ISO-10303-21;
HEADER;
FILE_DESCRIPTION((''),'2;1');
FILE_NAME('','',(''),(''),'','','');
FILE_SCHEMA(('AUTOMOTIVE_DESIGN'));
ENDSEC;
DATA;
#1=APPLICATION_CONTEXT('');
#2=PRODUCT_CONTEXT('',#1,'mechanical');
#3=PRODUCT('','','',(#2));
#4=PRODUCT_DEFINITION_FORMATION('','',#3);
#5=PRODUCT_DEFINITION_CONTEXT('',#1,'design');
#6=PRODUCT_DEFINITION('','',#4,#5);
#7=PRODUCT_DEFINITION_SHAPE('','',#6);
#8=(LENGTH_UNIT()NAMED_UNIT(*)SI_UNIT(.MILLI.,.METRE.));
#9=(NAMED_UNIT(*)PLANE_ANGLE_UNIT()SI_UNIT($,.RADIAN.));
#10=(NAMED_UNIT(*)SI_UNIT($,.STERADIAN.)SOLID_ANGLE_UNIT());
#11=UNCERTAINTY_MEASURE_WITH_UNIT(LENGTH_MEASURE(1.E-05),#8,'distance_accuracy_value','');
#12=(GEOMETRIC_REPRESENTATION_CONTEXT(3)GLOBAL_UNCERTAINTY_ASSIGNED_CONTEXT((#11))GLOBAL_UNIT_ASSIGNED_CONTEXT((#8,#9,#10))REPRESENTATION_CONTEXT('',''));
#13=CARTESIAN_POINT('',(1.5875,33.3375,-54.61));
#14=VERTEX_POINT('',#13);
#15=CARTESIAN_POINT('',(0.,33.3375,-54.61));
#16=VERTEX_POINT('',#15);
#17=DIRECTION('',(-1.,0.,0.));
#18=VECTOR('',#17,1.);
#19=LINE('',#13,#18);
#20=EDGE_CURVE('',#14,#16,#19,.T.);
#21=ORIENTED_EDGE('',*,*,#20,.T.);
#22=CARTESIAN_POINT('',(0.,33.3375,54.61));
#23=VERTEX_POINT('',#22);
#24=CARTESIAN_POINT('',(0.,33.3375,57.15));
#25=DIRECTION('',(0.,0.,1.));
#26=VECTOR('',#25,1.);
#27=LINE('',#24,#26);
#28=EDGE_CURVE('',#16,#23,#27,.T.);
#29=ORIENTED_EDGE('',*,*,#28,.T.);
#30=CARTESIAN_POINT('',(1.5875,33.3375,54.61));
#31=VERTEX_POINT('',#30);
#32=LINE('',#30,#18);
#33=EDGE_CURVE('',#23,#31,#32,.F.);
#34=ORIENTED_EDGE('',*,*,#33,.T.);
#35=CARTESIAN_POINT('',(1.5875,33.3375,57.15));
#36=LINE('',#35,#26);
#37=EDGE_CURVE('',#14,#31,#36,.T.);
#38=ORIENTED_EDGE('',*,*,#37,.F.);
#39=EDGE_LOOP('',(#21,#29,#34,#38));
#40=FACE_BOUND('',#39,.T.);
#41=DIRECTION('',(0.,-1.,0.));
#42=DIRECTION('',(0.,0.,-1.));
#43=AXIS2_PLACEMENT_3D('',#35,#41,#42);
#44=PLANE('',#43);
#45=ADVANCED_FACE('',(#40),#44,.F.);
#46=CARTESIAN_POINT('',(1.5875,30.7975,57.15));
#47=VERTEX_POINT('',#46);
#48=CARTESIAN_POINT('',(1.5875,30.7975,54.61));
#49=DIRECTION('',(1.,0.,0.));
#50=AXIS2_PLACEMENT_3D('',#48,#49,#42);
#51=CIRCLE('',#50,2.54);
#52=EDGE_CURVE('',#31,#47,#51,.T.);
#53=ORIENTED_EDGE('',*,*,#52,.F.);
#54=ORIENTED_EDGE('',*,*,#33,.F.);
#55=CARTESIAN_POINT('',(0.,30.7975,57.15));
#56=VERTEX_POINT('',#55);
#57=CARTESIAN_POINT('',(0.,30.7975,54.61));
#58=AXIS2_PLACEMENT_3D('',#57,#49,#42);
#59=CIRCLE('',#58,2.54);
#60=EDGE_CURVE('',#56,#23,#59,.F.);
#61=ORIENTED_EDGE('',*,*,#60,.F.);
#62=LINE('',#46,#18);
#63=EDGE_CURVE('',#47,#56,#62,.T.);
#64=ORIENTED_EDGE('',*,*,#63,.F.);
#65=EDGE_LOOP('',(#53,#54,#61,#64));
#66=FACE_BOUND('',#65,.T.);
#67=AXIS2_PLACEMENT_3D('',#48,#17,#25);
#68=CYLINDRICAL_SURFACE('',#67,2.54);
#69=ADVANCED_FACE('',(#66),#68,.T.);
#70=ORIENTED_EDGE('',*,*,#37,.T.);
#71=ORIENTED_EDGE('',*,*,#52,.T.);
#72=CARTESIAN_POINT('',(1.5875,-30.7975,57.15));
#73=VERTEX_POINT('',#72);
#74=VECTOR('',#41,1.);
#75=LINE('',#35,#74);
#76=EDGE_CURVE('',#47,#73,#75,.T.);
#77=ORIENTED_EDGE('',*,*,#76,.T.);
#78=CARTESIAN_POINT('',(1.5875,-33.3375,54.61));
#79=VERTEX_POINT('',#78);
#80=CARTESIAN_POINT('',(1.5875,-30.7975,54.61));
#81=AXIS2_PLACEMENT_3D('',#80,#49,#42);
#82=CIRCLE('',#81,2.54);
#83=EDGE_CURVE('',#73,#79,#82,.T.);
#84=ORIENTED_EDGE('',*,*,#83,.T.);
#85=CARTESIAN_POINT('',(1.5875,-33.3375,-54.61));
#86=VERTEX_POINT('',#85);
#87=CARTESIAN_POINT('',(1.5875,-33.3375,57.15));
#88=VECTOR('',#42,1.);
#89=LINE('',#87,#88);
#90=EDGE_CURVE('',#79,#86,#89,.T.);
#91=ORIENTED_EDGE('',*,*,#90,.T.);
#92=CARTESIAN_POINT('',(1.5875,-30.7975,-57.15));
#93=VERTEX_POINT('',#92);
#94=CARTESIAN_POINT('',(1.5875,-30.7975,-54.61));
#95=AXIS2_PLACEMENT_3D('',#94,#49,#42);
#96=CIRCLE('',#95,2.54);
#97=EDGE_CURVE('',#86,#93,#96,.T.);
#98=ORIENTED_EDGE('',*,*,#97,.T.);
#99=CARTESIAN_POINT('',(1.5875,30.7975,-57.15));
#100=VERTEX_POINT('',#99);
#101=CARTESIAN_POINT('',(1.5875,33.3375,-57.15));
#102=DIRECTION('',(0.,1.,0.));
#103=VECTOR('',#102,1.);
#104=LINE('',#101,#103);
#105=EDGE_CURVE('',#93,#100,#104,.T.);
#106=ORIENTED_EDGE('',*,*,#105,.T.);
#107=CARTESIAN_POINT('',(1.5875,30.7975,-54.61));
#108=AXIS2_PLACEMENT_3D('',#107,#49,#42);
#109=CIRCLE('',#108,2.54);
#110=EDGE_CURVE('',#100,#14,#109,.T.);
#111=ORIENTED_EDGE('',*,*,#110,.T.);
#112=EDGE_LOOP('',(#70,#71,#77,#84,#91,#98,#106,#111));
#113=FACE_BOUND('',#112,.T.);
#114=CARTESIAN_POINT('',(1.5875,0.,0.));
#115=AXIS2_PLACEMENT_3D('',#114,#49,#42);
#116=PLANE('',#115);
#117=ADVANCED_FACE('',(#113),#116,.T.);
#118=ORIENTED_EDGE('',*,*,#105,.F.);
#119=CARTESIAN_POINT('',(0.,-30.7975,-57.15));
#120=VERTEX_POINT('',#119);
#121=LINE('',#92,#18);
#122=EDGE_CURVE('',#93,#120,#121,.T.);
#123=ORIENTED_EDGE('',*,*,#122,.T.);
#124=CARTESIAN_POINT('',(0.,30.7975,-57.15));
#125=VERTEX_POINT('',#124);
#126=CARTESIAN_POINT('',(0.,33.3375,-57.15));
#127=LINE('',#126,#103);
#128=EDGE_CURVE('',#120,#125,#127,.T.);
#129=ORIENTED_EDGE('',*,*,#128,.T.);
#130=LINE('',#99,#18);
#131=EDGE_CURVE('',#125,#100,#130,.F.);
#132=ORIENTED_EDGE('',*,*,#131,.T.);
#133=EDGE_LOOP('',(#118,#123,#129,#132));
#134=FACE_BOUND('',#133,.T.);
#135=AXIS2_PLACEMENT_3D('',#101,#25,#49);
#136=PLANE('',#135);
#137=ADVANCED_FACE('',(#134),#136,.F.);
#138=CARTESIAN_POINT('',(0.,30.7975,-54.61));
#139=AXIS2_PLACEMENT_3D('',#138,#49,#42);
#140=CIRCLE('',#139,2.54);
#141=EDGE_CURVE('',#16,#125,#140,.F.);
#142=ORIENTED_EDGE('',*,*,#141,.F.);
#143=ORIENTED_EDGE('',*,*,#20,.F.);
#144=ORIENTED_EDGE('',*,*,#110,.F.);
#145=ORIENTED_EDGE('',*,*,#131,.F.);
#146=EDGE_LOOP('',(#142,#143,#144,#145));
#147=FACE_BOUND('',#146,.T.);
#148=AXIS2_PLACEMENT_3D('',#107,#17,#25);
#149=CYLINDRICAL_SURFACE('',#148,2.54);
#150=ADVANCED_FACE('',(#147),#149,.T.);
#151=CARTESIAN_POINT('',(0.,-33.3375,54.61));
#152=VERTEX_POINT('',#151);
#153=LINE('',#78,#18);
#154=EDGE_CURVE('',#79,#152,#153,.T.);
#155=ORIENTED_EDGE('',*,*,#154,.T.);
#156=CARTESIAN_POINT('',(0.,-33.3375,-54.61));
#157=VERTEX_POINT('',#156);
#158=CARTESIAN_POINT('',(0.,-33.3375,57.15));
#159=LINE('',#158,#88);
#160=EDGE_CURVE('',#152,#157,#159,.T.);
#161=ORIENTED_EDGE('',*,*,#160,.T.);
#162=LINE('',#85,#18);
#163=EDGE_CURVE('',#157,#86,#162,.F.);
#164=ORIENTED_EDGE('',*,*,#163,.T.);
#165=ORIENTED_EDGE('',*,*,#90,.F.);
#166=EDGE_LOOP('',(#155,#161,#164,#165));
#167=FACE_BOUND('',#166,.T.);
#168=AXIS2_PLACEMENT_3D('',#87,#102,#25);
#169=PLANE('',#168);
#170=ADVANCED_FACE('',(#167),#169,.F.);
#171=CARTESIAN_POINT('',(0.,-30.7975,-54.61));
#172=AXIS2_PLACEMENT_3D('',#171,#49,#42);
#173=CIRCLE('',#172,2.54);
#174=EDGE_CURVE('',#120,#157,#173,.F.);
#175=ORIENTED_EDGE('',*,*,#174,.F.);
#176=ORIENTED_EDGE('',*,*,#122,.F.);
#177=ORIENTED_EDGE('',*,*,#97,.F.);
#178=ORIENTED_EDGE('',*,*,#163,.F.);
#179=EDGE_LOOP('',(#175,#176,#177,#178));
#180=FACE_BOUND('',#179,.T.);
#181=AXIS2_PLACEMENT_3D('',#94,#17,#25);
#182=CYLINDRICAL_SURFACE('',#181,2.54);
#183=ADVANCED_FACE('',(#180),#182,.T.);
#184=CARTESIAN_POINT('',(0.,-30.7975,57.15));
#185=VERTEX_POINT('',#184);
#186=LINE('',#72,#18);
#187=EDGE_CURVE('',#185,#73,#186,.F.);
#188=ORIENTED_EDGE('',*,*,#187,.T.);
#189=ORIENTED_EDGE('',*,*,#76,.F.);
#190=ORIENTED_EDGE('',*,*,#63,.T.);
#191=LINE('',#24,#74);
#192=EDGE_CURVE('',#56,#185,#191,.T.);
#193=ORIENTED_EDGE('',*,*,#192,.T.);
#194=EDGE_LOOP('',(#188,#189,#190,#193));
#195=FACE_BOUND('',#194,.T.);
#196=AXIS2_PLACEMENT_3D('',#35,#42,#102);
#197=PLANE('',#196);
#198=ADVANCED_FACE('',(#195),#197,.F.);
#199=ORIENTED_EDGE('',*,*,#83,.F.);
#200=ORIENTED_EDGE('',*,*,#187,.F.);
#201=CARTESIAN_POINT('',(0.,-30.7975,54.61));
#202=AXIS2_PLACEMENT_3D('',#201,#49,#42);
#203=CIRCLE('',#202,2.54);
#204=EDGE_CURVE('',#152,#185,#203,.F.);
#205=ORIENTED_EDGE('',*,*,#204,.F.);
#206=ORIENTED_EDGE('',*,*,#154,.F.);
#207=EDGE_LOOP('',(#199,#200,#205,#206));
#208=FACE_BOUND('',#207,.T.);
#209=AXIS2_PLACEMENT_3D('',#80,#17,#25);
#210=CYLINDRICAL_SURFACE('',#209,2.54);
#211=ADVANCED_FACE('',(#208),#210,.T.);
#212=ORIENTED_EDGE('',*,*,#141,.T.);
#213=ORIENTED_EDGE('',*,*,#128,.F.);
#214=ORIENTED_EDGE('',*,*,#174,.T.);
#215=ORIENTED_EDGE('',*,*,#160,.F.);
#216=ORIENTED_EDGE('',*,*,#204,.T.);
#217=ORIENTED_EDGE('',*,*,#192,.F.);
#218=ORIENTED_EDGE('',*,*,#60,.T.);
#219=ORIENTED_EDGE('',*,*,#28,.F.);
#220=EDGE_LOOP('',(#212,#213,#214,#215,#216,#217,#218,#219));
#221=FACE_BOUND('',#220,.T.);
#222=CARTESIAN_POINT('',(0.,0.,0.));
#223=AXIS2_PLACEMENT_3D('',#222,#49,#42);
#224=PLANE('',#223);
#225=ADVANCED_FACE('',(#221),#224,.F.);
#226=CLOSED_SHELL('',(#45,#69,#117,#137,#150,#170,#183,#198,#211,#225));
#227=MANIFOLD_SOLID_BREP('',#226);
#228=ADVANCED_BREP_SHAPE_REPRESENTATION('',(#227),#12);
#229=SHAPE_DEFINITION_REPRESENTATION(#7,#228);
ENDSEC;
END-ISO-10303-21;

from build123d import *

# Parameters (mm, degrees)
SKETCH1_W           = 114.3
SKETCH1_H           = 66.675
BOSS_EXTRUDE1_DEPTH = 1.5875
FILLET1_R           = 2.54


with BuildPart() as part:
    # Sketch1 → Boss-Extrude1 (new body)
    with BuildSketch(Plane(origin=(0, 0, 0), x_dir=(0, 0, -1), z_dir=(1, 0, 0))):
        Rectangle(SKETCH1_W, SKETCH1_H)
    extrude(amount=BOSS_EXTRUDE1_DEPTH)

    # Fillet1
    fillet1_edges = [part.edges().sort_by_distance(p)[0] for p in [
        (0.79375, -33.3375, -57.15),
        (0.79375, -33.3375, 57.15),
        (0.79375, 33.3375, 57.15),
        (0.79375, 33.3375, -57.15),
    ]]
    fillet(fillet1_edges, radius=FILLET1_R)


solid = part.part
